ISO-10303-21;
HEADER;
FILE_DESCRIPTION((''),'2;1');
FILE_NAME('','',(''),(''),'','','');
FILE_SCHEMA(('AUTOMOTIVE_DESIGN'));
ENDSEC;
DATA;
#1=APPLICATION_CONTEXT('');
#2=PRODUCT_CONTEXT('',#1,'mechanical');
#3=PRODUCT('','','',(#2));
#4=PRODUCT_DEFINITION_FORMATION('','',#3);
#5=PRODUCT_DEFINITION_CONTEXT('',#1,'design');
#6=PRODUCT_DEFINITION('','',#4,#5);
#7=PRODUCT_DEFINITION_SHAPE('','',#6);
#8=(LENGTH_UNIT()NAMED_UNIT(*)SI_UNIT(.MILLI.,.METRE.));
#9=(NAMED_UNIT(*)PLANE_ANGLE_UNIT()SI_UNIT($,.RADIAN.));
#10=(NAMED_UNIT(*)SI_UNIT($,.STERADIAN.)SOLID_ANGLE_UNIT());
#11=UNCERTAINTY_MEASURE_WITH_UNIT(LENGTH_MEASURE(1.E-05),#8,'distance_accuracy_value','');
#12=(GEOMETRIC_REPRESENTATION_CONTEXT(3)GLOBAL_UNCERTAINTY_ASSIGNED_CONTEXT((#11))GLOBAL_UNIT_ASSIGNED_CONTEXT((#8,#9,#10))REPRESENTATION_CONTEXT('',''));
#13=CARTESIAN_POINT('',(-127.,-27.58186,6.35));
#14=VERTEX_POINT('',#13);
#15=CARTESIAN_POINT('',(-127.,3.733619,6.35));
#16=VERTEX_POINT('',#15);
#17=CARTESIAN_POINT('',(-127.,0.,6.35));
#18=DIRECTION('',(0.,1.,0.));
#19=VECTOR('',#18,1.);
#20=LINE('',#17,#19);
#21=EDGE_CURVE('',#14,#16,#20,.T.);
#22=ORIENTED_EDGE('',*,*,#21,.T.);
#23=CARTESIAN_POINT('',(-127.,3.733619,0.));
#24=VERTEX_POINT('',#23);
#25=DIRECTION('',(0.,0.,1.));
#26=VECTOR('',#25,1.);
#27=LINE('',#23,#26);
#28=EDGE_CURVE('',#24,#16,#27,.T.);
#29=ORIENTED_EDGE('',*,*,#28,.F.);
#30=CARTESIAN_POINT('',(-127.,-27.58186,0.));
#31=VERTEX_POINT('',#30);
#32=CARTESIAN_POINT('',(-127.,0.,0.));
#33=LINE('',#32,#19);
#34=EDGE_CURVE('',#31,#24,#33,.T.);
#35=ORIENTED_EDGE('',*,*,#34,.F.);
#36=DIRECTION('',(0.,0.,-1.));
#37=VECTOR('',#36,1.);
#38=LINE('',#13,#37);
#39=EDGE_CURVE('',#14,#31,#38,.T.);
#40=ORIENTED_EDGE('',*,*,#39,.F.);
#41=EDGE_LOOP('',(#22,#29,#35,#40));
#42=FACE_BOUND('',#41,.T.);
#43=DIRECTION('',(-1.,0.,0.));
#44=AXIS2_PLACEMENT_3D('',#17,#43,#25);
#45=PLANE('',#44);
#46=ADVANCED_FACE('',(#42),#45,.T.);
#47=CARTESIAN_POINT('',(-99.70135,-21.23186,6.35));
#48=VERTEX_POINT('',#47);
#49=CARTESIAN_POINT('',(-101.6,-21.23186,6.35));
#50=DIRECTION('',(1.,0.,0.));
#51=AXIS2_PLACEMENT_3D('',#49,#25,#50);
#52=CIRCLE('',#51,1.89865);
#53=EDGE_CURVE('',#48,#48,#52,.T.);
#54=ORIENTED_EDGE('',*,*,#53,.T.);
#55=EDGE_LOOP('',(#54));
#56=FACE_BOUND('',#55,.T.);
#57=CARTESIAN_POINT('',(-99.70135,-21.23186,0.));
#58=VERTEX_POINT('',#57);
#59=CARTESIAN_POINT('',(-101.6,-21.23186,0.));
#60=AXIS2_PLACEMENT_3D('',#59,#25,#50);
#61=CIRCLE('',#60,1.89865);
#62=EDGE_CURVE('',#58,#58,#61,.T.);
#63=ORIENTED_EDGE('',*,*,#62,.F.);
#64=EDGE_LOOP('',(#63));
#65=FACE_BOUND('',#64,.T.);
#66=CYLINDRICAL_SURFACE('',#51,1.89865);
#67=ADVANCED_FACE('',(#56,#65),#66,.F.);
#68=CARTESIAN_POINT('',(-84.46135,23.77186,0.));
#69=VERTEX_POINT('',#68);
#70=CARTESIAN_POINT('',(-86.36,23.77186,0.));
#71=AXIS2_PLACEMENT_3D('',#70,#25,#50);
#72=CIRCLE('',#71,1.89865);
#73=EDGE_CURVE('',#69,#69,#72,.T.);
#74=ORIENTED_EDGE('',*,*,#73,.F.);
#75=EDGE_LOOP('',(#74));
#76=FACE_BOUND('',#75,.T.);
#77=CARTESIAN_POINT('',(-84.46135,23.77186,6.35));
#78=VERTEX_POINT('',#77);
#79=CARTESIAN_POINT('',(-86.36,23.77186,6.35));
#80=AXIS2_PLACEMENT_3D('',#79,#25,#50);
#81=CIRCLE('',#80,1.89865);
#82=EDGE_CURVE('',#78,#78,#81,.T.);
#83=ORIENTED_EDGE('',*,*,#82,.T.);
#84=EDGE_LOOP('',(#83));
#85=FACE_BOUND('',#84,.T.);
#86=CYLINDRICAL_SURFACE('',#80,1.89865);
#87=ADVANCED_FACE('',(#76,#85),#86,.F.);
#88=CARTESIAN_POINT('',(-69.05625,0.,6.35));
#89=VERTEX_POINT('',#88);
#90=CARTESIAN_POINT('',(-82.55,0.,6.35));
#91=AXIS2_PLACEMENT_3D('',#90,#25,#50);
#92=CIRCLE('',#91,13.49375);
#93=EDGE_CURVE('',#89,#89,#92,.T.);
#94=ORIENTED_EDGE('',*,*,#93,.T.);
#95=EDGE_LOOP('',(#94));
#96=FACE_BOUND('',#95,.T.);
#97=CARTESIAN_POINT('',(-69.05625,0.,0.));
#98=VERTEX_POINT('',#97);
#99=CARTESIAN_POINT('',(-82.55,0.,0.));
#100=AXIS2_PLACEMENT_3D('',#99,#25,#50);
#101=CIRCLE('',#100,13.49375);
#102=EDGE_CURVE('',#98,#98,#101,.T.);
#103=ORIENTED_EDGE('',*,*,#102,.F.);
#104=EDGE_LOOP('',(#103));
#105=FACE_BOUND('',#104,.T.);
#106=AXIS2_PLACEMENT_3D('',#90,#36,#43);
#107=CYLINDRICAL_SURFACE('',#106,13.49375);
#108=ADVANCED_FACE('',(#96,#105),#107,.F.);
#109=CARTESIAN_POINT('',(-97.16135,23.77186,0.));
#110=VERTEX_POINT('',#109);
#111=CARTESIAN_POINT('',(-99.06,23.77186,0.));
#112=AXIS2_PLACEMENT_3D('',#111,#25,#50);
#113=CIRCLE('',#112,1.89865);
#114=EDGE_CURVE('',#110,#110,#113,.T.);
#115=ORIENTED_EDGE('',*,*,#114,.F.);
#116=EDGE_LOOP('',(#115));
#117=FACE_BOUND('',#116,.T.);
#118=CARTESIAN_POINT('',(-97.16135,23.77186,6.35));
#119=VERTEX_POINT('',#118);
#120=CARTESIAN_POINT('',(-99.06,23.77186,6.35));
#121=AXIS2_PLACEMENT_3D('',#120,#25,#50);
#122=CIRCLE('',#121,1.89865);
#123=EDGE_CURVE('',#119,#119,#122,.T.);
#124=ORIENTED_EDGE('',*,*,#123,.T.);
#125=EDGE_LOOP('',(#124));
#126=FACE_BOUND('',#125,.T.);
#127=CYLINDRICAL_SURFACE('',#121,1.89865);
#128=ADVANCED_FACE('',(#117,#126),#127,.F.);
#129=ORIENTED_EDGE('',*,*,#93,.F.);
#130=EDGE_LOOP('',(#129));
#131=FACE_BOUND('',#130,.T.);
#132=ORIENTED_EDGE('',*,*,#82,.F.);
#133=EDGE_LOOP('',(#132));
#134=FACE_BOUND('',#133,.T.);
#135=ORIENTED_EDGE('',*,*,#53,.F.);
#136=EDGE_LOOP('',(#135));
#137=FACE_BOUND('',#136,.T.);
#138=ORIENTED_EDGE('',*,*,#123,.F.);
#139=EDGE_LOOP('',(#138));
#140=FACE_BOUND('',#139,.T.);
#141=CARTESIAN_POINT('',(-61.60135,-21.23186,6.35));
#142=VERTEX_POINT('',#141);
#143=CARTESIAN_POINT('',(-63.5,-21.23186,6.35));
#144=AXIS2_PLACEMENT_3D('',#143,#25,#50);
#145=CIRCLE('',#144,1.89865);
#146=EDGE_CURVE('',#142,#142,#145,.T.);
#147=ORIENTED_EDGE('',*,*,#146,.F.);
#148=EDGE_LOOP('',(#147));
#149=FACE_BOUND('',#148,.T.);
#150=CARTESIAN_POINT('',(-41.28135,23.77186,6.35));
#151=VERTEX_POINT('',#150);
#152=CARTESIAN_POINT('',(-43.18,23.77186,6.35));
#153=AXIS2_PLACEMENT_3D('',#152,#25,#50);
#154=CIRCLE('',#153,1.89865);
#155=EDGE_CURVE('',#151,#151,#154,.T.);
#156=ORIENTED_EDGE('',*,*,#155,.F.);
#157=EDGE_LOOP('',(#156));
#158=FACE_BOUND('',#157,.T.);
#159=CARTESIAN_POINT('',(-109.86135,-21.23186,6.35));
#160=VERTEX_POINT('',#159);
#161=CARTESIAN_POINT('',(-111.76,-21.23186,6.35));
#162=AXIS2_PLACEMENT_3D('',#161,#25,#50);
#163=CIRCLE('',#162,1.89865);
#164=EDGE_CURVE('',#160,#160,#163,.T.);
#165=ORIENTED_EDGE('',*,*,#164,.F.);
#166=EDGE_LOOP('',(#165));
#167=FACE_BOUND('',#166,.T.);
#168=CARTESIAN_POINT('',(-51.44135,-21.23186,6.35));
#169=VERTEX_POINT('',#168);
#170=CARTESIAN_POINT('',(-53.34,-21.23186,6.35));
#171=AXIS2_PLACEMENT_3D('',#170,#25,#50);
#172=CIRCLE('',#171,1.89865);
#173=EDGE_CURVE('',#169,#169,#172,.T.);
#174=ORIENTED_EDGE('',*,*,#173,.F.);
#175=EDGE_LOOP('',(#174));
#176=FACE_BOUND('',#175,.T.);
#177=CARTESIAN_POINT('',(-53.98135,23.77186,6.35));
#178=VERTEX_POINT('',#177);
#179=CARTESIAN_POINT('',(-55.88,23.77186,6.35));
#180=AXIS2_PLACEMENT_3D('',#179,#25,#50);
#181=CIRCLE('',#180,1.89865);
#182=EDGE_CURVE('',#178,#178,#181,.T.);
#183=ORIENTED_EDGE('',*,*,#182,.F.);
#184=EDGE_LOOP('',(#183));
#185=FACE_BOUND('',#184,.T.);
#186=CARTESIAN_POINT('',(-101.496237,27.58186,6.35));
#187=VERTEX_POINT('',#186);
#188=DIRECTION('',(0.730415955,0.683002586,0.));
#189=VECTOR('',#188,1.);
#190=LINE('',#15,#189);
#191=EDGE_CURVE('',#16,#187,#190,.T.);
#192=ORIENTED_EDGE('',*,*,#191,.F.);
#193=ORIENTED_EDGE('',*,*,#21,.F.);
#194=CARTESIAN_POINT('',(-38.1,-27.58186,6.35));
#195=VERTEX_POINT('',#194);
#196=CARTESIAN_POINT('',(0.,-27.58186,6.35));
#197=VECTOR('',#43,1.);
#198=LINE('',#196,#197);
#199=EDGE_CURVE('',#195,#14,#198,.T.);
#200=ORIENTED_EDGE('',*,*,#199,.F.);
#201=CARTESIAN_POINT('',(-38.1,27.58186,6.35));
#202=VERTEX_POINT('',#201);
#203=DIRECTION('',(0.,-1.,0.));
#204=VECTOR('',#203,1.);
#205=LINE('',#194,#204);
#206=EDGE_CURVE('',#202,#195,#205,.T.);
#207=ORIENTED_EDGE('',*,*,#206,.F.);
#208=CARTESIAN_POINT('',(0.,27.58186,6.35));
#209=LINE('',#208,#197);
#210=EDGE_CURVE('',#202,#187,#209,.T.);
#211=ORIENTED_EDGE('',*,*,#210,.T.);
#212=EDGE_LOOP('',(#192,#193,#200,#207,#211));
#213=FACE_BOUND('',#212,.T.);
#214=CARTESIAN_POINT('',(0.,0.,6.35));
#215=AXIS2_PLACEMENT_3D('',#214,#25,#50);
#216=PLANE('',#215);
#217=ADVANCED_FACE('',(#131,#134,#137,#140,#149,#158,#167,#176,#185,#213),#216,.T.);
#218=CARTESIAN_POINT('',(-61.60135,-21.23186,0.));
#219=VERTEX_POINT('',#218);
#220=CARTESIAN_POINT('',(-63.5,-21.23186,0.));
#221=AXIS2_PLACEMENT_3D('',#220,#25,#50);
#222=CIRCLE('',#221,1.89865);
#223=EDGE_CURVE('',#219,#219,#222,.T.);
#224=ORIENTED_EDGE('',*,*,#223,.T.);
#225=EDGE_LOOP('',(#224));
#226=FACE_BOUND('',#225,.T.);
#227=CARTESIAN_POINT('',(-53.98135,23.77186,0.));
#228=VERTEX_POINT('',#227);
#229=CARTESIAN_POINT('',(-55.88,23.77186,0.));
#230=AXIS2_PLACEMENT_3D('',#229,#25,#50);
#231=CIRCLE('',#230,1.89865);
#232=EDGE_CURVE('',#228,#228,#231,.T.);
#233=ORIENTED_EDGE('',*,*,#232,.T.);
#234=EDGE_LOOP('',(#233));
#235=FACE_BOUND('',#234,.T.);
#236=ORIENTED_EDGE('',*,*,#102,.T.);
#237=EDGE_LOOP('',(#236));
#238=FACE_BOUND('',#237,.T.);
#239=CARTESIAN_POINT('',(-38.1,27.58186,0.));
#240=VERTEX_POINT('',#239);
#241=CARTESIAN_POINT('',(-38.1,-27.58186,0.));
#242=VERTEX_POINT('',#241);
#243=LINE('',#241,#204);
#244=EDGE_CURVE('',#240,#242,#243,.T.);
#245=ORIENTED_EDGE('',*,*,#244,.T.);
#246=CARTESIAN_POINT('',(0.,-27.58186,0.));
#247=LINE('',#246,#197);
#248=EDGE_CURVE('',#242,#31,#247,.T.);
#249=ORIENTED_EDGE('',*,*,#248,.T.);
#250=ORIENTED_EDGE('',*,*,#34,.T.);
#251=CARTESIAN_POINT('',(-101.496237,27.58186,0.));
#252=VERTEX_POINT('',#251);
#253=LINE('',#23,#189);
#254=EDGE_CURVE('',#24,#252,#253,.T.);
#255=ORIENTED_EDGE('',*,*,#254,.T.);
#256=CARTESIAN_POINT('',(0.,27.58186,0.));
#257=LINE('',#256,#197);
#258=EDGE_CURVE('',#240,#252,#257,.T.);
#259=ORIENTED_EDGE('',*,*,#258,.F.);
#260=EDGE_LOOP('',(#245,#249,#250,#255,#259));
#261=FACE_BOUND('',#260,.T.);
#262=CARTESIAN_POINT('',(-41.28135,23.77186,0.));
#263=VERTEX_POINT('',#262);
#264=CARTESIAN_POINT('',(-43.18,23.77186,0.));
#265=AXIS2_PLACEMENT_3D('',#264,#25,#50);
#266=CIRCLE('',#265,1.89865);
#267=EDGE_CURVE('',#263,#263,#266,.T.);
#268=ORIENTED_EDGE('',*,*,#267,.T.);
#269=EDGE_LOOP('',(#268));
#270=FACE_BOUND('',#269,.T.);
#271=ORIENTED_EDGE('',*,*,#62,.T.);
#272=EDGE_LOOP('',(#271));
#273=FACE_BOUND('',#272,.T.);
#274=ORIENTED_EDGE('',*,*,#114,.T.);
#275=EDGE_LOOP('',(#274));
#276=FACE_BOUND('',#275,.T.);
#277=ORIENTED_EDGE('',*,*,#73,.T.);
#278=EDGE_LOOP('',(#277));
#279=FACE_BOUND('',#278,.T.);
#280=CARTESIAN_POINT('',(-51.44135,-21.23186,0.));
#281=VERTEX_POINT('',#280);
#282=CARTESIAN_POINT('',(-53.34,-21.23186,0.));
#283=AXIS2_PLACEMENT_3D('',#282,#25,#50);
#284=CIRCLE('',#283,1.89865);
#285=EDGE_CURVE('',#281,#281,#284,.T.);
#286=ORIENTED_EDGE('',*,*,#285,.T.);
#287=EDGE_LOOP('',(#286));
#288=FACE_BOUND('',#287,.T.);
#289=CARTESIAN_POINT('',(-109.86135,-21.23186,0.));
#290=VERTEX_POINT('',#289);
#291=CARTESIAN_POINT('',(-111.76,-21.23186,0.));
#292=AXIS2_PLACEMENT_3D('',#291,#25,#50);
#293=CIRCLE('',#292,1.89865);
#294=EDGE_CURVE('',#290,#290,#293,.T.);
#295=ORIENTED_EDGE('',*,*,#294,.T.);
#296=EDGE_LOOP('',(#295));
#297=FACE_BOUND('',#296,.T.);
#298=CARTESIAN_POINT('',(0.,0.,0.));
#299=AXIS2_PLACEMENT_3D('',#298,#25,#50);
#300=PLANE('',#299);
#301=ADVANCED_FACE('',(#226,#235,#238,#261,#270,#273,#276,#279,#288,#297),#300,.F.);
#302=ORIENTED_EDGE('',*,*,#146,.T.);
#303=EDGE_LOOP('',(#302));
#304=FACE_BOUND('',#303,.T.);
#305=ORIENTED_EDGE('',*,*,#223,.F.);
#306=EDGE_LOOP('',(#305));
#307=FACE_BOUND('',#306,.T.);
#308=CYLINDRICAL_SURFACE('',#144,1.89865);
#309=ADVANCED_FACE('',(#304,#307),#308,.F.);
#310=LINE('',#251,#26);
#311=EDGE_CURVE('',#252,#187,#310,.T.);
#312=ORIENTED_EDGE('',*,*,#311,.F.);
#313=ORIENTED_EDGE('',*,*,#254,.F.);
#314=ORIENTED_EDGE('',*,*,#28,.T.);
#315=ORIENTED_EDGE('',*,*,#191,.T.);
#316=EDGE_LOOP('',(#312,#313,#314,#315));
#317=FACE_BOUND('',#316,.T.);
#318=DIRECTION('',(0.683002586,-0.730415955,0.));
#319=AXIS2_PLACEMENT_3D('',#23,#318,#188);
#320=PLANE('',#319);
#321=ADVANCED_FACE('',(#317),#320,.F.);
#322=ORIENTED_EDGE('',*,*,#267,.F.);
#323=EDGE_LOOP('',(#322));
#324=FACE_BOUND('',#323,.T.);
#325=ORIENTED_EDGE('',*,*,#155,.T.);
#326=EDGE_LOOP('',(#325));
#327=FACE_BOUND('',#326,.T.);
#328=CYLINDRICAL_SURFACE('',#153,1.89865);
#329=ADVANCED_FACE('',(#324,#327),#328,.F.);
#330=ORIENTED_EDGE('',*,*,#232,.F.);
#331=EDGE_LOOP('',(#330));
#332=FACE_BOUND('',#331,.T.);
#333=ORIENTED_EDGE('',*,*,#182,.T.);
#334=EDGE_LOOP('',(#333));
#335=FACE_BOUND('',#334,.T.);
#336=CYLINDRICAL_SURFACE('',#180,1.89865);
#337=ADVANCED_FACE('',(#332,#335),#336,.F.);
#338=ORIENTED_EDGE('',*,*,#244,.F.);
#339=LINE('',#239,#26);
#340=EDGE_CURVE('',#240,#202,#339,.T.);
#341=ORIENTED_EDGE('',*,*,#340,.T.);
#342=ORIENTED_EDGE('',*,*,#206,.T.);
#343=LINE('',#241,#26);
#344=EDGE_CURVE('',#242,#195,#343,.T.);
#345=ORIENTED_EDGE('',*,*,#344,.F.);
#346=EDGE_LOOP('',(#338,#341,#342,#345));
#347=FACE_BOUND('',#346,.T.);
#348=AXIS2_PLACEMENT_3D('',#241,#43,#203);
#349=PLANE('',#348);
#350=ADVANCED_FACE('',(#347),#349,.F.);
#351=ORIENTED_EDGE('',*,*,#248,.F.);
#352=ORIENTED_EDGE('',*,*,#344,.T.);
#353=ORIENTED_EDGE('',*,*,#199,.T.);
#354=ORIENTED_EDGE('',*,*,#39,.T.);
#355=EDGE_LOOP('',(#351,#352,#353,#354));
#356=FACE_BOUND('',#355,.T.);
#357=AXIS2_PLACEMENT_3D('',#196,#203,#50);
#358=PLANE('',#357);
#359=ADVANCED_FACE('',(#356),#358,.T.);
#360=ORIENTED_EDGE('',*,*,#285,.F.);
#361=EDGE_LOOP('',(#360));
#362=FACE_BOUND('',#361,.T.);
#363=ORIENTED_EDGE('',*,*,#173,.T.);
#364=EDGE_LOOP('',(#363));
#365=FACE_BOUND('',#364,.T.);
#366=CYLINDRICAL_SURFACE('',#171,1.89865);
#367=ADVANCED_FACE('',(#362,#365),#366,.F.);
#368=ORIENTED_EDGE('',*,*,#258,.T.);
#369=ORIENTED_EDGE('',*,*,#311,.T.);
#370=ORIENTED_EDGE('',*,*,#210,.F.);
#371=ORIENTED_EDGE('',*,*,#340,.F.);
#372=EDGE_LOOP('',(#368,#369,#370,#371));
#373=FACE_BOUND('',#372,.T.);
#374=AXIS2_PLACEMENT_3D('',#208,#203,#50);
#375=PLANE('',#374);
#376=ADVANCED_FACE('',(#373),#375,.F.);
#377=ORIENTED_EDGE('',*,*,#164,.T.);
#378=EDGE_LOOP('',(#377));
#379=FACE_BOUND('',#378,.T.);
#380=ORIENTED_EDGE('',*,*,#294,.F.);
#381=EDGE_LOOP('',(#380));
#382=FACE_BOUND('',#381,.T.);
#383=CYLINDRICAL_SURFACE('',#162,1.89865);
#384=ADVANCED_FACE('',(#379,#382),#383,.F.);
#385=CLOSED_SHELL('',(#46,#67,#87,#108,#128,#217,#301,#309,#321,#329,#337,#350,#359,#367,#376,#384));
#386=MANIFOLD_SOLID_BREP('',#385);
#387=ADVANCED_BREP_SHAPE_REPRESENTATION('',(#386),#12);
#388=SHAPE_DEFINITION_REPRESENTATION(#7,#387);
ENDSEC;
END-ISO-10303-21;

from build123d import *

# Parameters (mm, degrees)
SKETCH1_W             = 254
SKETCH1_H             = 55.16372
SKETCH1_R             = 13.49375
BOSS_EXTRUDE1_DEPTH   = 6.35
F_6_CLEARANCE_HOLE1_D = 3.7973
SKETCH4_W             = 165.1
SKETCH4_H             = 55.16372
CUT_EXTRUDE1_DEPTH    = 6.35
CUT_EXTRUDE2_DEPTH    = 6.35
F_6_CLEARANCE_HOLE2_D = 3.7973


with BuildPart() as part:
    # Sketch1 → Boss-Extrude1 (new body)
    with BuildSketch(Plane.XY):
        Rectangle(SKETCH1_W, SKETCH1_H)
        with Locations((-82.55, 0)):
            Circle(SKETCH1_R, mode=Mode.SUBTRACT)
        with Locations((82.55, 0)):
            Circle(SKETCH1_R, mode=Mode.SUBTRACT)
    extrude(amount=BOSS_EXTRUDE1_DEPTH)

    # #6 Clearance Hole1 (through all)
    with Locations(Plane.XY.offset(6.35)):
        with Locations((-111.76, -21.23186), (-101.6, -21.23186), (-63.5, -21.23186), (-53.34, -21.23186)):
            f_6_clearance_hole1 = Hole(F_6_CLEARANCE_HOLE1_D / 2)

    # Mirror1: #6 Clearance Hole1 across plane
    add(f_6_clearance_hole1.mirror(Plane.ZY), mode=Mode.SUBTRACT)

    # Sketch4 → Cut-Extrude1 (cut)
    with BuildSketch(Plane.XY.offset(6.35)):
        with Locations((44.45, 0)):
            Rectangle(SKETCH4_W, SKETCH4_H)
    extrude(amount=-CUT_EXTRUDE1_DEPTH, mode=Mode.SUBTRACT)

    # Sketch5 → Cut-Extrude2 (cut)
    with BuildSketch(Plane.XY.offset(6.35)):
        Polygon((-127, 3.733618756), (-101.496237284, 27.58186), (-127, 27.58186), align=None)
    extrude(amount=-CUT_EXTRUDE2_DEPTH, mode=Mode.SUBTRACT)

    # #6 Clearance Hole2 (through all)
    with Locations(Plane.XY.offset(6.35)):
        with Locations((-43.18, 23.77186), (-55.88, 23.77186), (-99.06, 23.77186), (-86.36, 23.77186)):
            Hole(F_6_CLEARANCE_HOLE2_D / 2)


solid = part.part
